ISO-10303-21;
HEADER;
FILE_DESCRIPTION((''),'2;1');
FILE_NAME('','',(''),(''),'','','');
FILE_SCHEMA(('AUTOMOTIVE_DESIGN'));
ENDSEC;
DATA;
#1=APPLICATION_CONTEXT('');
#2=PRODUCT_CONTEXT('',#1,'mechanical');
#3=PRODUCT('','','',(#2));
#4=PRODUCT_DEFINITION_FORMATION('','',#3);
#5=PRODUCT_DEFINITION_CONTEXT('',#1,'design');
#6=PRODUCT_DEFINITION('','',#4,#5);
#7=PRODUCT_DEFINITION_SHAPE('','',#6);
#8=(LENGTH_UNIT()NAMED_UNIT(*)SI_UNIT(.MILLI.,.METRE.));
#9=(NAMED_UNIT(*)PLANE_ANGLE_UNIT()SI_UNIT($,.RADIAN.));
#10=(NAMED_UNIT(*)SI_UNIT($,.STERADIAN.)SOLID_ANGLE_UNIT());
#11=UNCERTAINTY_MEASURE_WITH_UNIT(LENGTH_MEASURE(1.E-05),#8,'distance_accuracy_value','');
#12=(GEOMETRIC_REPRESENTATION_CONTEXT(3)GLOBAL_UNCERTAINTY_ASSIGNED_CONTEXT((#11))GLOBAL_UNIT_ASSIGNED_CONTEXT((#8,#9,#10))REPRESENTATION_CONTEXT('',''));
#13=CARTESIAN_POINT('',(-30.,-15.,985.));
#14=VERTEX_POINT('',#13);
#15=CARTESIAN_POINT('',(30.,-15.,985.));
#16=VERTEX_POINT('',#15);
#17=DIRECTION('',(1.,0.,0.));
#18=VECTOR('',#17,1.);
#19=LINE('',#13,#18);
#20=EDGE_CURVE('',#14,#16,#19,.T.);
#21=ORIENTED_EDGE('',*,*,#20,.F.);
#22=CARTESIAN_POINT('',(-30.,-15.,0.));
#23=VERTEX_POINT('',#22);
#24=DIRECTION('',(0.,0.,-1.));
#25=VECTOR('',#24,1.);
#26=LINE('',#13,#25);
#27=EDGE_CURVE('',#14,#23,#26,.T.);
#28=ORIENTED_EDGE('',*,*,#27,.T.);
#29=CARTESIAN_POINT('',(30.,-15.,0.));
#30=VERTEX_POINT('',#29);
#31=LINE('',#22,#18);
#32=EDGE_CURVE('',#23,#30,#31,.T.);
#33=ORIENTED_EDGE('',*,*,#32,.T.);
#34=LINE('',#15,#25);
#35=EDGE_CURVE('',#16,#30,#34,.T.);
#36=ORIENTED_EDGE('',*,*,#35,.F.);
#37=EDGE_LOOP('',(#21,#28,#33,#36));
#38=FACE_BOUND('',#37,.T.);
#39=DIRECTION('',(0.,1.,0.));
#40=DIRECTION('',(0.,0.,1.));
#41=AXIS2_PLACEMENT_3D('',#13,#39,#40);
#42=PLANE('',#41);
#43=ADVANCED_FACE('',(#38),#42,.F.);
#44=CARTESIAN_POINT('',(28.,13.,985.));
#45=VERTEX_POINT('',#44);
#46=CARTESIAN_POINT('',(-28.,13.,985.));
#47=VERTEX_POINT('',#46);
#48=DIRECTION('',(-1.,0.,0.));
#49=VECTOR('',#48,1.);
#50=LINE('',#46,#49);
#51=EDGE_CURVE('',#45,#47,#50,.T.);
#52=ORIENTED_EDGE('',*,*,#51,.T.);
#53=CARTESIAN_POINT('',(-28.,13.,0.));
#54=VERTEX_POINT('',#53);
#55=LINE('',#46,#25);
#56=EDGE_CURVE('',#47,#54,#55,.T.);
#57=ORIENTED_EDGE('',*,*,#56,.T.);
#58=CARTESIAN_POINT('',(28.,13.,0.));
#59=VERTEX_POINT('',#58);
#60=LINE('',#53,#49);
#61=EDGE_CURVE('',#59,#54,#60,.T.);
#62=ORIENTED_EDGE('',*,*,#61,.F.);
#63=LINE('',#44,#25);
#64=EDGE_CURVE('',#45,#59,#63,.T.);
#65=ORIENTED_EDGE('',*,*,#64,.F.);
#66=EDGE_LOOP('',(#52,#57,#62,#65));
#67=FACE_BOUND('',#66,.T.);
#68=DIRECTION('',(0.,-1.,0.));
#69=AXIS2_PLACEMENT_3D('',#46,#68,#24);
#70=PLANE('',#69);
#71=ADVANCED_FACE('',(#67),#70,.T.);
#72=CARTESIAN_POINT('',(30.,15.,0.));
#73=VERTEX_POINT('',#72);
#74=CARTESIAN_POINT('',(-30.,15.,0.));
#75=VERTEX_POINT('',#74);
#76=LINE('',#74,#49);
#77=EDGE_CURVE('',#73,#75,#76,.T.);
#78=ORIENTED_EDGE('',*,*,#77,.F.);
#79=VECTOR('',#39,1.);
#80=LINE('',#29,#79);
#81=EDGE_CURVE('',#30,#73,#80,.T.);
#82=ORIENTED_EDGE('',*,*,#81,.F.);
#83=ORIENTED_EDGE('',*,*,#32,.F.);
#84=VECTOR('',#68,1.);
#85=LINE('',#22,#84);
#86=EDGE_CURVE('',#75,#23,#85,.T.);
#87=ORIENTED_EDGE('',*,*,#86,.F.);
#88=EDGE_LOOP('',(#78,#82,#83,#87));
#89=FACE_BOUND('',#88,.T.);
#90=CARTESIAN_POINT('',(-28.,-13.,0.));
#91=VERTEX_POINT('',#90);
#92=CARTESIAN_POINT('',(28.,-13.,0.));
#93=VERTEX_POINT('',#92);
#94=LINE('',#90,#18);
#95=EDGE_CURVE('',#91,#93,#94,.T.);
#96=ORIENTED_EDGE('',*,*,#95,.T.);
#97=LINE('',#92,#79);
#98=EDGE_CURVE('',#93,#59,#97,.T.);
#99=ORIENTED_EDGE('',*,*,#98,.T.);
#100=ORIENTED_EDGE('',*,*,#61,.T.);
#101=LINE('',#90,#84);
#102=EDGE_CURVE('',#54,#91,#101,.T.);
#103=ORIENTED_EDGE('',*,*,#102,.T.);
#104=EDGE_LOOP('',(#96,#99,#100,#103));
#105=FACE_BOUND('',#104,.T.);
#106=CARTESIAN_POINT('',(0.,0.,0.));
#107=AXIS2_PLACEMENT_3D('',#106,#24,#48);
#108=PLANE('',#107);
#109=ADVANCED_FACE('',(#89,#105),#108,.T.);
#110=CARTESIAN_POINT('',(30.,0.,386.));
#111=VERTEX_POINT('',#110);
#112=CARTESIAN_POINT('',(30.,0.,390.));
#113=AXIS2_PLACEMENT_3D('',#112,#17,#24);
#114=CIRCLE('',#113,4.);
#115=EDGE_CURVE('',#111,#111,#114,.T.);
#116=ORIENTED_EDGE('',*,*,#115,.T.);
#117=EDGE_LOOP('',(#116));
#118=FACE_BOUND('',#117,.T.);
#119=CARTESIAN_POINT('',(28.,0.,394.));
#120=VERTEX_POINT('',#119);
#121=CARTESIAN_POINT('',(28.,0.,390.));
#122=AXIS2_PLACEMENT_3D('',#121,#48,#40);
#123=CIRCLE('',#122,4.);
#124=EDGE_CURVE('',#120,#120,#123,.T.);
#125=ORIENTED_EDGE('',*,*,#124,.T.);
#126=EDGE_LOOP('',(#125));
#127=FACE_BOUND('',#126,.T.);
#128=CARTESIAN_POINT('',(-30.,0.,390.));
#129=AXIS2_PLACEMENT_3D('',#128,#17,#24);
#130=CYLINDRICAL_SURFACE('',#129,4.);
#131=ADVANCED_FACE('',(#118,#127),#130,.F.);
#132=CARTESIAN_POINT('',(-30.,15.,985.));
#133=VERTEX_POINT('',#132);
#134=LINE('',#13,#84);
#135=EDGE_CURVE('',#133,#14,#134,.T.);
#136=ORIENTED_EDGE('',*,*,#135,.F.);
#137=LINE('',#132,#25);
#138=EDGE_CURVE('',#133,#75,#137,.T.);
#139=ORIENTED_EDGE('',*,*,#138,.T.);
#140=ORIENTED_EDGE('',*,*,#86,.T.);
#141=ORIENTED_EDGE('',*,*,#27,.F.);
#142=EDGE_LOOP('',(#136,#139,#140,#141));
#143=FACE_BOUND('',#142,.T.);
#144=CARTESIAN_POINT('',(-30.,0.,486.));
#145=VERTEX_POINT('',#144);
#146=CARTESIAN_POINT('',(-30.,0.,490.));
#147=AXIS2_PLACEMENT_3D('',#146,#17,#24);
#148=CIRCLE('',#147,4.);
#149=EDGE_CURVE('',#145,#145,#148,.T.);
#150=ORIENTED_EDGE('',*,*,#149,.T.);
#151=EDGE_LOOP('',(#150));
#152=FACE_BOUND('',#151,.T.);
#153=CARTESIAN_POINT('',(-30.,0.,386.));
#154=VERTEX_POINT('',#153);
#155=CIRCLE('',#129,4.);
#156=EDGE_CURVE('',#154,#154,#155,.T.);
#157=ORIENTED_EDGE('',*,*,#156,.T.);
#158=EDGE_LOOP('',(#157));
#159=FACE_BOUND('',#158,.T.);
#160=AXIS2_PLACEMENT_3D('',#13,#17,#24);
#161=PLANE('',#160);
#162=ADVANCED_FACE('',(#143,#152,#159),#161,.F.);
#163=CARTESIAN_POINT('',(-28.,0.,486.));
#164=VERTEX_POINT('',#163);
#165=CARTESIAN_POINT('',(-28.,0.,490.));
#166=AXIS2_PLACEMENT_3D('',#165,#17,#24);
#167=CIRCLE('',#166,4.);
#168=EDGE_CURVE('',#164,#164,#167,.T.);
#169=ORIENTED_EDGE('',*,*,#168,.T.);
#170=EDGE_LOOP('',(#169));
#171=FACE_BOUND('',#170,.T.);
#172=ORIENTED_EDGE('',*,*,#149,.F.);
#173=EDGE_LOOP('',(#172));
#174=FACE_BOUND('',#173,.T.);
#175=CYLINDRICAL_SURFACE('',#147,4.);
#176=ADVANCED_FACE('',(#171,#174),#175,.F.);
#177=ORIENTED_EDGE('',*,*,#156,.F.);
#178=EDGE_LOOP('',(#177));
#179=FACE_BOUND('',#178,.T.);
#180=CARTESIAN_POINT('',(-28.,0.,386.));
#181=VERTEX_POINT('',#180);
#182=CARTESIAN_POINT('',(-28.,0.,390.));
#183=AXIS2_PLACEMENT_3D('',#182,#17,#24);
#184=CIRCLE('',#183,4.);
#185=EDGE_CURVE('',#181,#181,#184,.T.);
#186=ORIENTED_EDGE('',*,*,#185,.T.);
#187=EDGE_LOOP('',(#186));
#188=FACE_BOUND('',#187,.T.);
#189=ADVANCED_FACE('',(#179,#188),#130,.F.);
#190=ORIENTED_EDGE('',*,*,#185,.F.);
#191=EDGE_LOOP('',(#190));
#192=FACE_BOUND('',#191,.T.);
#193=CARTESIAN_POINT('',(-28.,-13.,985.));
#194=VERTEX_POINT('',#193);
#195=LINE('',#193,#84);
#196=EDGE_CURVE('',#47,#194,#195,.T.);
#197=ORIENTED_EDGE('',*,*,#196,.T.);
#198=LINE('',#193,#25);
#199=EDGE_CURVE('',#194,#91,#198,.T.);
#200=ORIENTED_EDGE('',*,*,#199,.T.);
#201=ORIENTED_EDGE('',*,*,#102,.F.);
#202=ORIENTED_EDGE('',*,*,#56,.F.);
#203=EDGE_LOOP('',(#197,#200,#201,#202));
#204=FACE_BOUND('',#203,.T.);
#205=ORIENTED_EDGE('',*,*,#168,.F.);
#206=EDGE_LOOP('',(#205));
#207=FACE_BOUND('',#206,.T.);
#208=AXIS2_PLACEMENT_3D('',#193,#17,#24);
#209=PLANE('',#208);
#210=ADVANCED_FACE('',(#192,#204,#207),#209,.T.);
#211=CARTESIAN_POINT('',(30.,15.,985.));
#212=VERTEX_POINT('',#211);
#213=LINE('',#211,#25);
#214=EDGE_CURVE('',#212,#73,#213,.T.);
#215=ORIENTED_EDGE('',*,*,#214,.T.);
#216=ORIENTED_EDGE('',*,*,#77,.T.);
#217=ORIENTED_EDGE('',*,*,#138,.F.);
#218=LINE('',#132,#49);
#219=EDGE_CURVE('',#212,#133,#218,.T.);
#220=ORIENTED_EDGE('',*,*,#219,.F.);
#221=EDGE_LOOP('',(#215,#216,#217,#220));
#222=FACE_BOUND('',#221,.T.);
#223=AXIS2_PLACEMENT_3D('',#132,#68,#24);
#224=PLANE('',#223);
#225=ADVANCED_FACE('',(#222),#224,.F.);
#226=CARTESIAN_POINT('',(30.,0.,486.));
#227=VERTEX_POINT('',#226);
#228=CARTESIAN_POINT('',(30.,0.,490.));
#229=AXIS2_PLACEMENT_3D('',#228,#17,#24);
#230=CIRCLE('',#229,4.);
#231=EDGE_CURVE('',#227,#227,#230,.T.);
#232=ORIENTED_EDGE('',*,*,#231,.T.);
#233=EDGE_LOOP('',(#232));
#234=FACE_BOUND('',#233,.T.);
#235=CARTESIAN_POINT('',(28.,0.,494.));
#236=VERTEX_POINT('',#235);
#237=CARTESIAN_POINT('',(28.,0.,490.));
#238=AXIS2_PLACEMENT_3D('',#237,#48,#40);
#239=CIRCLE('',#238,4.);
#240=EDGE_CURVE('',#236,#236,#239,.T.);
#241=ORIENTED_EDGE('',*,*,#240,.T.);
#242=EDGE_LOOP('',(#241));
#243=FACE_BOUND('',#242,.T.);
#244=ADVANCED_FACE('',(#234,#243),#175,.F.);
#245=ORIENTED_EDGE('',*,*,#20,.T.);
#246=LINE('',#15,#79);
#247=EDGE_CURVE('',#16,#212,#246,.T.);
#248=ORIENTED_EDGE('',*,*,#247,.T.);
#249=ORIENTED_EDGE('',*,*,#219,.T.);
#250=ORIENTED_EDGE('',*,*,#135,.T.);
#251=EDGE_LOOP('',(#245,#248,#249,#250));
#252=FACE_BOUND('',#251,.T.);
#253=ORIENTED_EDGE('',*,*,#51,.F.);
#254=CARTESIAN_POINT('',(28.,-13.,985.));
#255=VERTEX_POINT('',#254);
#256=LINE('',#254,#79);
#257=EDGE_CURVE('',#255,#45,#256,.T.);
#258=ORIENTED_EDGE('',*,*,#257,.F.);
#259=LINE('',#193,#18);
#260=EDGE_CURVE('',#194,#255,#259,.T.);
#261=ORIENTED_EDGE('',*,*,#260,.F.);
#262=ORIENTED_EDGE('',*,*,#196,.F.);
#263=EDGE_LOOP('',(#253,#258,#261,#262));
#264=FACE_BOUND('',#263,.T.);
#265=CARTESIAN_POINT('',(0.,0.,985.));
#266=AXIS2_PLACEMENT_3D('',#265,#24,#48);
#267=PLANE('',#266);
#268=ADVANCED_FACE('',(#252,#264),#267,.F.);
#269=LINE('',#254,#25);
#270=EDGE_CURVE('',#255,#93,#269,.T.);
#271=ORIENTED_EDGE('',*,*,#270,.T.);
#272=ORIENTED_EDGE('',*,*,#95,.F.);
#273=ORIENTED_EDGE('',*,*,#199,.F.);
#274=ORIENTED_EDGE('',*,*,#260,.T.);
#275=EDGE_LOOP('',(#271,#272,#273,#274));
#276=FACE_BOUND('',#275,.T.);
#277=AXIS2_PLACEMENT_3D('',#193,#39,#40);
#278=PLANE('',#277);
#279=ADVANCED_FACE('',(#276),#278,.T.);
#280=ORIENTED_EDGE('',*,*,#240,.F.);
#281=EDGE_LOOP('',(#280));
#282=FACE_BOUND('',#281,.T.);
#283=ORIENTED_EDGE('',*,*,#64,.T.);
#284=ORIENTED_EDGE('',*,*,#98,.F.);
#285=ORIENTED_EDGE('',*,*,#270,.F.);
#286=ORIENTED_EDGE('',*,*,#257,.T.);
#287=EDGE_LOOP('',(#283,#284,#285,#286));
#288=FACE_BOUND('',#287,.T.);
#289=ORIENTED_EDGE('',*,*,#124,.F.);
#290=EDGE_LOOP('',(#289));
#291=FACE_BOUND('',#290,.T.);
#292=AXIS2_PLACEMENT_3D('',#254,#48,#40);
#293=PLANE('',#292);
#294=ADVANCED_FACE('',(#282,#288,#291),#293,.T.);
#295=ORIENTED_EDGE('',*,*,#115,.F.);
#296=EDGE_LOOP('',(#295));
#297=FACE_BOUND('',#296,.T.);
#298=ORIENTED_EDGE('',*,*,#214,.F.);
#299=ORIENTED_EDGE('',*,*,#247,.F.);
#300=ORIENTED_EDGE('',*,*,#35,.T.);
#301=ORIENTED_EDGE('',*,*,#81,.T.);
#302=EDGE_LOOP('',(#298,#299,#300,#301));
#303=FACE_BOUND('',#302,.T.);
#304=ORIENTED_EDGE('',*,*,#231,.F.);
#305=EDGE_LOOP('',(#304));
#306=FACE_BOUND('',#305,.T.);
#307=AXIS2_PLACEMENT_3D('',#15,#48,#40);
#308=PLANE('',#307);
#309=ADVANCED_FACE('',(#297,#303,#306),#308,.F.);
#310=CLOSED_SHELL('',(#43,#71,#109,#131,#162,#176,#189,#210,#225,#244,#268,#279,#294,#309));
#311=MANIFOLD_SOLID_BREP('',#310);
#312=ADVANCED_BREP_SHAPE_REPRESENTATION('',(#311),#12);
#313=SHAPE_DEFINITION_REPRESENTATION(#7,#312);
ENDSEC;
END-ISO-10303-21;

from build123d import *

# Parameters (mm, degrees)
CROQUIS1_W              = 60
CROQUIS1_H              = 30
CROQUIS1_W_2            = 56
CROQUIS1_H_2            = 26
SALIENTE_EXTRUIR1_DEPTH = 985
CROQUIS2_R              = 4
CORTAR_EXTRUIR1_DEPTH   = 987.939714471


with BuildPart() as part:
    # Croquis1 → Saliente-Extruir1 (new body)
    with BuildSketch(Plane.XY):
        Rectangle(CROQUIS1_W, CROQUIS1_H)
        Rectangle(CROQUIS1_W_2, CROQUIS1_H_2, mode=Mode.SUBTRACT)
    extrude(amount=SALIENTE_EXTRUIR1_DEPTH)

    # Croquis2 → Cortar-Extruir1 (cut, through all)
    with BuildSketch(Plane(origin=(30, 0, 0), x_dir=(0, 0, -1), z_dir=(1, 0, 0))):
        with Locations((-390, 0)):
            Circle(CROQUIS2_R)
        with Locations((-490, 0)):
            Circle(CROQUIS2_R)
    extrude(amount=-CORTAR_EXTRUIR1_DEPTH, mode=Mode.SUBTRACT)


solid = part.part
